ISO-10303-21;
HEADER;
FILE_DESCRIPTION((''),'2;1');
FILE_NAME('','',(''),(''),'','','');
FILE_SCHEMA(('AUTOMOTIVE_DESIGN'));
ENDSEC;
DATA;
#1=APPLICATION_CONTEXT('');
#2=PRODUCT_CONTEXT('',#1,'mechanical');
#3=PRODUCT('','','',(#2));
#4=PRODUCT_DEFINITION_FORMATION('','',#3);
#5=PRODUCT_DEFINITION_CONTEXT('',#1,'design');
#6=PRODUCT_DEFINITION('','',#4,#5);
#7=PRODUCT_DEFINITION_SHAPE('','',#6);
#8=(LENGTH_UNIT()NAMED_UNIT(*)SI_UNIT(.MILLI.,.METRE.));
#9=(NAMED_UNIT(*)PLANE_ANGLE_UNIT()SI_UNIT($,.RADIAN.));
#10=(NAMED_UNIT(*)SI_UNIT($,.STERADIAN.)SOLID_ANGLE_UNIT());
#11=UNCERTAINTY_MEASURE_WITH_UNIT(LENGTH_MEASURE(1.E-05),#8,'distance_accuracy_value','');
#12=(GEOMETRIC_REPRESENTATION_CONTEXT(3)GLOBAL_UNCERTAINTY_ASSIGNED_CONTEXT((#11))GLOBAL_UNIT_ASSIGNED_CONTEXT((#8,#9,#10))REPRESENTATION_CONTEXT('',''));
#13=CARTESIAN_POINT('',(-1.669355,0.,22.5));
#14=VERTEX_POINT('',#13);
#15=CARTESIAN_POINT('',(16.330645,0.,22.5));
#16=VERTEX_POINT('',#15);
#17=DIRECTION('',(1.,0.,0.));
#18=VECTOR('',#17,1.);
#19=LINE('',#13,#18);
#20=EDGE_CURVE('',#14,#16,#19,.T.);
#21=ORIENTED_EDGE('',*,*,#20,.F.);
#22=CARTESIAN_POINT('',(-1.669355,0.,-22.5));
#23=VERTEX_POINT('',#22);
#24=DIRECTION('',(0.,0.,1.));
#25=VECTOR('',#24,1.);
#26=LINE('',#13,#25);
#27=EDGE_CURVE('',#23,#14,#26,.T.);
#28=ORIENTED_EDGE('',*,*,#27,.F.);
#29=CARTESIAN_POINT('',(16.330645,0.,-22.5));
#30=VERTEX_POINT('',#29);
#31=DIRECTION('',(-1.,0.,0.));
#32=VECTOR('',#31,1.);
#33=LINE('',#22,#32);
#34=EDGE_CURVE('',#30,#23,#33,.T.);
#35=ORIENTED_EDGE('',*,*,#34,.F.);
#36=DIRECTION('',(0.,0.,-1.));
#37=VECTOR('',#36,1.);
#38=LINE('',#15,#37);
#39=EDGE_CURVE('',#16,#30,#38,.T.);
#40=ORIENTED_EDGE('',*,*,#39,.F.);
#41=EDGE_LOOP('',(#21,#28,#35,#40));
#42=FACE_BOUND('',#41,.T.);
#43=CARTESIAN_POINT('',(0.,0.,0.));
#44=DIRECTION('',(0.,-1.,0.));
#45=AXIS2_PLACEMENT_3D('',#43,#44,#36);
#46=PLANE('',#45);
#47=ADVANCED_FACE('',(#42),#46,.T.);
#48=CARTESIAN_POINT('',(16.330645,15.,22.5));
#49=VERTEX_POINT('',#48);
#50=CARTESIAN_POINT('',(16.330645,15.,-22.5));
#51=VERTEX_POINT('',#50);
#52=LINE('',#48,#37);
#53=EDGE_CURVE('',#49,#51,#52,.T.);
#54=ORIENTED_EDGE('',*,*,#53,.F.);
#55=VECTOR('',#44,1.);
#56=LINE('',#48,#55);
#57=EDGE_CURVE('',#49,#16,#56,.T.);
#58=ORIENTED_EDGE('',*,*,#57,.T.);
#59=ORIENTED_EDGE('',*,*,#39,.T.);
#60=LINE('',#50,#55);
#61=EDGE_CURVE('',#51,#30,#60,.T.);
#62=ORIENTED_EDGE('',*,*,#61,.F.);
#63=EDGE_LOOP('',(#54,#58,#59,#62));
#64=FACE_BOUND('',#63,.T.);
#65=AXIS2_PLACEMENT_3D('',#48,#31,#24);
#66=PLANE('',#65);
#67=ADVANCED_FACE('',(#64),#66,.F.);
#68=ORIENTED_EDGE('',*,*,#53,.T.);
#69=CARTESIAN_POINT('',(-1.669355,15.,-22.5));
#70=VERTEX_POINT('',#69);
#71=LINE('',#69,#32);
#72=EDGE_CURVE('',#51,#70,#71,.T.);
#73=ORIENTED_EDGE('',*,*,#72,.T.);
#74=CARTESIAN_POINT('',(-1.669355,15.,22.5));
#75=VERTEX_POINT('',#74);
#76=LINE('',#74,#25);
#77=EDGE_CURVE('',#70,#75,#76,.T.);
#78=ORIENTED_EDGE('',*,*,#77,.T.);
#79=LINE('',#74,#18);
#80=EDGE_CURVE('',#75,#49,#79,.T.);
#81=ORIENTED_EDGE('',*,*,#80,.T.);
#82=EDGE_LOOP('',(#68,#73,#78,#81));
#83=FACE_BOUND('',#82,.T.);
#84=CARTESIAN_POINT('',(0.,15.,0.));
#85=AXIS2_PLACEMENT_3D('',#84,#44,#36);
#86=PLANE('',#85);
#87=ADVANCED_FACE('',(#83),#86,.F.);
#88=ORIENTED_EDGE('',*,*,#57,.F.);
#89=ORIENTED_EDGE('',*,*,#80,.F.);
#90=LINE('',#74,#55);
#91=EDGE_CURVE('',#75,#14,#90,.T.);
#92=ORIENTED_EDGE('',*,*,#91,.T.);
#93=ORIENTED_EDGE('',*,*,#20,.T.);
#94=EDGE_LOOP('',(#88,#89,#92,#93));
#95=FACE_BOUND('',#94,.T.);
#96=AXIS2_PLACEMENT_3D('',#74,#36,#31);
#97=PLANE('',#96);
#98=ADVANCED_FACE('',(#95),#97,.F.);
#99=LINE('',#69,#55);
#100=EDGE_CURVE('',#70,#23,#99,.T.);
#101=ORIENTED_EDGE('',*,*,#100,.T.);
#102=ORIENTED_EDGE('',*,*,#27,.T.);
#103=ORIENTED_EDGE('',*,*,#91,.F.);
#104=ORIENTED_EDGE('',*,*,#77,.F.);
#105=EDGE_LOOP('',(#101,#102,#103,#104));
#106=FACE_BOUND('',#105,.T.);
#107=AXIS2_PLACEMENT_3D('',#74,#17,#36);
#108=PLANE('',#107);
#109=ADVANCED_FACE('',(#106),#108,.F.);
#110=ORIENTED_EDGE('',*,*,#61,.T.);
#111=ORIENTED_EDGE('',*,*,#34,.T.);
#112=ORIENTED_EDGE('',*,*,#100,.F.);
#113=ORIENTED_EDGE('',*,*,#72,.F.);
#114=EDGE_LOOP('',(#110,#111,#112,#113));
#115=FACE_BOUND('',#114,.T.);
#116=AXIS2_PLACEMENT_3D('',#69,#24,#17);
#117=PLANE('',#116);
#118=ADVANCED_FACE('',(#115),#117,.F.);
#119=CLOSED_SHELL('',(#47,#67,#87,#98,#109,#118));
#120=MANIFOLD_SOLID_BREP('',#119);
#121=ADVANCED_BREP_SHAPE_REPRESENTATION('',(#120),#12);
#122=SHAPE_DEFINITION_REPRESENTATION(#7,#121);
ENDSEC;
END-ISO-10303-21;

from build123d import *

# Parameters (mm, degrees)
SKETCH1_W           = 18
SKETCH1_H           = 45
BOSS_EXTRUDE1_DEPTH = 15


with BuildPart() as part:
    # Sketch1 → Boss-Extrude1 (new body)
    with BuildSketch(Plane(origin=(0, 0, 0), x_dir=(1, 0, 0), z_dir=(0, 1, 0))):
        with Locations((7.330645161, 0)):
            Rectangle(SKETCH1_W, SKETCH1_H)
    extrude(amount=BOSS_EXTRUDE1_DEPTH)


solid = part.part
